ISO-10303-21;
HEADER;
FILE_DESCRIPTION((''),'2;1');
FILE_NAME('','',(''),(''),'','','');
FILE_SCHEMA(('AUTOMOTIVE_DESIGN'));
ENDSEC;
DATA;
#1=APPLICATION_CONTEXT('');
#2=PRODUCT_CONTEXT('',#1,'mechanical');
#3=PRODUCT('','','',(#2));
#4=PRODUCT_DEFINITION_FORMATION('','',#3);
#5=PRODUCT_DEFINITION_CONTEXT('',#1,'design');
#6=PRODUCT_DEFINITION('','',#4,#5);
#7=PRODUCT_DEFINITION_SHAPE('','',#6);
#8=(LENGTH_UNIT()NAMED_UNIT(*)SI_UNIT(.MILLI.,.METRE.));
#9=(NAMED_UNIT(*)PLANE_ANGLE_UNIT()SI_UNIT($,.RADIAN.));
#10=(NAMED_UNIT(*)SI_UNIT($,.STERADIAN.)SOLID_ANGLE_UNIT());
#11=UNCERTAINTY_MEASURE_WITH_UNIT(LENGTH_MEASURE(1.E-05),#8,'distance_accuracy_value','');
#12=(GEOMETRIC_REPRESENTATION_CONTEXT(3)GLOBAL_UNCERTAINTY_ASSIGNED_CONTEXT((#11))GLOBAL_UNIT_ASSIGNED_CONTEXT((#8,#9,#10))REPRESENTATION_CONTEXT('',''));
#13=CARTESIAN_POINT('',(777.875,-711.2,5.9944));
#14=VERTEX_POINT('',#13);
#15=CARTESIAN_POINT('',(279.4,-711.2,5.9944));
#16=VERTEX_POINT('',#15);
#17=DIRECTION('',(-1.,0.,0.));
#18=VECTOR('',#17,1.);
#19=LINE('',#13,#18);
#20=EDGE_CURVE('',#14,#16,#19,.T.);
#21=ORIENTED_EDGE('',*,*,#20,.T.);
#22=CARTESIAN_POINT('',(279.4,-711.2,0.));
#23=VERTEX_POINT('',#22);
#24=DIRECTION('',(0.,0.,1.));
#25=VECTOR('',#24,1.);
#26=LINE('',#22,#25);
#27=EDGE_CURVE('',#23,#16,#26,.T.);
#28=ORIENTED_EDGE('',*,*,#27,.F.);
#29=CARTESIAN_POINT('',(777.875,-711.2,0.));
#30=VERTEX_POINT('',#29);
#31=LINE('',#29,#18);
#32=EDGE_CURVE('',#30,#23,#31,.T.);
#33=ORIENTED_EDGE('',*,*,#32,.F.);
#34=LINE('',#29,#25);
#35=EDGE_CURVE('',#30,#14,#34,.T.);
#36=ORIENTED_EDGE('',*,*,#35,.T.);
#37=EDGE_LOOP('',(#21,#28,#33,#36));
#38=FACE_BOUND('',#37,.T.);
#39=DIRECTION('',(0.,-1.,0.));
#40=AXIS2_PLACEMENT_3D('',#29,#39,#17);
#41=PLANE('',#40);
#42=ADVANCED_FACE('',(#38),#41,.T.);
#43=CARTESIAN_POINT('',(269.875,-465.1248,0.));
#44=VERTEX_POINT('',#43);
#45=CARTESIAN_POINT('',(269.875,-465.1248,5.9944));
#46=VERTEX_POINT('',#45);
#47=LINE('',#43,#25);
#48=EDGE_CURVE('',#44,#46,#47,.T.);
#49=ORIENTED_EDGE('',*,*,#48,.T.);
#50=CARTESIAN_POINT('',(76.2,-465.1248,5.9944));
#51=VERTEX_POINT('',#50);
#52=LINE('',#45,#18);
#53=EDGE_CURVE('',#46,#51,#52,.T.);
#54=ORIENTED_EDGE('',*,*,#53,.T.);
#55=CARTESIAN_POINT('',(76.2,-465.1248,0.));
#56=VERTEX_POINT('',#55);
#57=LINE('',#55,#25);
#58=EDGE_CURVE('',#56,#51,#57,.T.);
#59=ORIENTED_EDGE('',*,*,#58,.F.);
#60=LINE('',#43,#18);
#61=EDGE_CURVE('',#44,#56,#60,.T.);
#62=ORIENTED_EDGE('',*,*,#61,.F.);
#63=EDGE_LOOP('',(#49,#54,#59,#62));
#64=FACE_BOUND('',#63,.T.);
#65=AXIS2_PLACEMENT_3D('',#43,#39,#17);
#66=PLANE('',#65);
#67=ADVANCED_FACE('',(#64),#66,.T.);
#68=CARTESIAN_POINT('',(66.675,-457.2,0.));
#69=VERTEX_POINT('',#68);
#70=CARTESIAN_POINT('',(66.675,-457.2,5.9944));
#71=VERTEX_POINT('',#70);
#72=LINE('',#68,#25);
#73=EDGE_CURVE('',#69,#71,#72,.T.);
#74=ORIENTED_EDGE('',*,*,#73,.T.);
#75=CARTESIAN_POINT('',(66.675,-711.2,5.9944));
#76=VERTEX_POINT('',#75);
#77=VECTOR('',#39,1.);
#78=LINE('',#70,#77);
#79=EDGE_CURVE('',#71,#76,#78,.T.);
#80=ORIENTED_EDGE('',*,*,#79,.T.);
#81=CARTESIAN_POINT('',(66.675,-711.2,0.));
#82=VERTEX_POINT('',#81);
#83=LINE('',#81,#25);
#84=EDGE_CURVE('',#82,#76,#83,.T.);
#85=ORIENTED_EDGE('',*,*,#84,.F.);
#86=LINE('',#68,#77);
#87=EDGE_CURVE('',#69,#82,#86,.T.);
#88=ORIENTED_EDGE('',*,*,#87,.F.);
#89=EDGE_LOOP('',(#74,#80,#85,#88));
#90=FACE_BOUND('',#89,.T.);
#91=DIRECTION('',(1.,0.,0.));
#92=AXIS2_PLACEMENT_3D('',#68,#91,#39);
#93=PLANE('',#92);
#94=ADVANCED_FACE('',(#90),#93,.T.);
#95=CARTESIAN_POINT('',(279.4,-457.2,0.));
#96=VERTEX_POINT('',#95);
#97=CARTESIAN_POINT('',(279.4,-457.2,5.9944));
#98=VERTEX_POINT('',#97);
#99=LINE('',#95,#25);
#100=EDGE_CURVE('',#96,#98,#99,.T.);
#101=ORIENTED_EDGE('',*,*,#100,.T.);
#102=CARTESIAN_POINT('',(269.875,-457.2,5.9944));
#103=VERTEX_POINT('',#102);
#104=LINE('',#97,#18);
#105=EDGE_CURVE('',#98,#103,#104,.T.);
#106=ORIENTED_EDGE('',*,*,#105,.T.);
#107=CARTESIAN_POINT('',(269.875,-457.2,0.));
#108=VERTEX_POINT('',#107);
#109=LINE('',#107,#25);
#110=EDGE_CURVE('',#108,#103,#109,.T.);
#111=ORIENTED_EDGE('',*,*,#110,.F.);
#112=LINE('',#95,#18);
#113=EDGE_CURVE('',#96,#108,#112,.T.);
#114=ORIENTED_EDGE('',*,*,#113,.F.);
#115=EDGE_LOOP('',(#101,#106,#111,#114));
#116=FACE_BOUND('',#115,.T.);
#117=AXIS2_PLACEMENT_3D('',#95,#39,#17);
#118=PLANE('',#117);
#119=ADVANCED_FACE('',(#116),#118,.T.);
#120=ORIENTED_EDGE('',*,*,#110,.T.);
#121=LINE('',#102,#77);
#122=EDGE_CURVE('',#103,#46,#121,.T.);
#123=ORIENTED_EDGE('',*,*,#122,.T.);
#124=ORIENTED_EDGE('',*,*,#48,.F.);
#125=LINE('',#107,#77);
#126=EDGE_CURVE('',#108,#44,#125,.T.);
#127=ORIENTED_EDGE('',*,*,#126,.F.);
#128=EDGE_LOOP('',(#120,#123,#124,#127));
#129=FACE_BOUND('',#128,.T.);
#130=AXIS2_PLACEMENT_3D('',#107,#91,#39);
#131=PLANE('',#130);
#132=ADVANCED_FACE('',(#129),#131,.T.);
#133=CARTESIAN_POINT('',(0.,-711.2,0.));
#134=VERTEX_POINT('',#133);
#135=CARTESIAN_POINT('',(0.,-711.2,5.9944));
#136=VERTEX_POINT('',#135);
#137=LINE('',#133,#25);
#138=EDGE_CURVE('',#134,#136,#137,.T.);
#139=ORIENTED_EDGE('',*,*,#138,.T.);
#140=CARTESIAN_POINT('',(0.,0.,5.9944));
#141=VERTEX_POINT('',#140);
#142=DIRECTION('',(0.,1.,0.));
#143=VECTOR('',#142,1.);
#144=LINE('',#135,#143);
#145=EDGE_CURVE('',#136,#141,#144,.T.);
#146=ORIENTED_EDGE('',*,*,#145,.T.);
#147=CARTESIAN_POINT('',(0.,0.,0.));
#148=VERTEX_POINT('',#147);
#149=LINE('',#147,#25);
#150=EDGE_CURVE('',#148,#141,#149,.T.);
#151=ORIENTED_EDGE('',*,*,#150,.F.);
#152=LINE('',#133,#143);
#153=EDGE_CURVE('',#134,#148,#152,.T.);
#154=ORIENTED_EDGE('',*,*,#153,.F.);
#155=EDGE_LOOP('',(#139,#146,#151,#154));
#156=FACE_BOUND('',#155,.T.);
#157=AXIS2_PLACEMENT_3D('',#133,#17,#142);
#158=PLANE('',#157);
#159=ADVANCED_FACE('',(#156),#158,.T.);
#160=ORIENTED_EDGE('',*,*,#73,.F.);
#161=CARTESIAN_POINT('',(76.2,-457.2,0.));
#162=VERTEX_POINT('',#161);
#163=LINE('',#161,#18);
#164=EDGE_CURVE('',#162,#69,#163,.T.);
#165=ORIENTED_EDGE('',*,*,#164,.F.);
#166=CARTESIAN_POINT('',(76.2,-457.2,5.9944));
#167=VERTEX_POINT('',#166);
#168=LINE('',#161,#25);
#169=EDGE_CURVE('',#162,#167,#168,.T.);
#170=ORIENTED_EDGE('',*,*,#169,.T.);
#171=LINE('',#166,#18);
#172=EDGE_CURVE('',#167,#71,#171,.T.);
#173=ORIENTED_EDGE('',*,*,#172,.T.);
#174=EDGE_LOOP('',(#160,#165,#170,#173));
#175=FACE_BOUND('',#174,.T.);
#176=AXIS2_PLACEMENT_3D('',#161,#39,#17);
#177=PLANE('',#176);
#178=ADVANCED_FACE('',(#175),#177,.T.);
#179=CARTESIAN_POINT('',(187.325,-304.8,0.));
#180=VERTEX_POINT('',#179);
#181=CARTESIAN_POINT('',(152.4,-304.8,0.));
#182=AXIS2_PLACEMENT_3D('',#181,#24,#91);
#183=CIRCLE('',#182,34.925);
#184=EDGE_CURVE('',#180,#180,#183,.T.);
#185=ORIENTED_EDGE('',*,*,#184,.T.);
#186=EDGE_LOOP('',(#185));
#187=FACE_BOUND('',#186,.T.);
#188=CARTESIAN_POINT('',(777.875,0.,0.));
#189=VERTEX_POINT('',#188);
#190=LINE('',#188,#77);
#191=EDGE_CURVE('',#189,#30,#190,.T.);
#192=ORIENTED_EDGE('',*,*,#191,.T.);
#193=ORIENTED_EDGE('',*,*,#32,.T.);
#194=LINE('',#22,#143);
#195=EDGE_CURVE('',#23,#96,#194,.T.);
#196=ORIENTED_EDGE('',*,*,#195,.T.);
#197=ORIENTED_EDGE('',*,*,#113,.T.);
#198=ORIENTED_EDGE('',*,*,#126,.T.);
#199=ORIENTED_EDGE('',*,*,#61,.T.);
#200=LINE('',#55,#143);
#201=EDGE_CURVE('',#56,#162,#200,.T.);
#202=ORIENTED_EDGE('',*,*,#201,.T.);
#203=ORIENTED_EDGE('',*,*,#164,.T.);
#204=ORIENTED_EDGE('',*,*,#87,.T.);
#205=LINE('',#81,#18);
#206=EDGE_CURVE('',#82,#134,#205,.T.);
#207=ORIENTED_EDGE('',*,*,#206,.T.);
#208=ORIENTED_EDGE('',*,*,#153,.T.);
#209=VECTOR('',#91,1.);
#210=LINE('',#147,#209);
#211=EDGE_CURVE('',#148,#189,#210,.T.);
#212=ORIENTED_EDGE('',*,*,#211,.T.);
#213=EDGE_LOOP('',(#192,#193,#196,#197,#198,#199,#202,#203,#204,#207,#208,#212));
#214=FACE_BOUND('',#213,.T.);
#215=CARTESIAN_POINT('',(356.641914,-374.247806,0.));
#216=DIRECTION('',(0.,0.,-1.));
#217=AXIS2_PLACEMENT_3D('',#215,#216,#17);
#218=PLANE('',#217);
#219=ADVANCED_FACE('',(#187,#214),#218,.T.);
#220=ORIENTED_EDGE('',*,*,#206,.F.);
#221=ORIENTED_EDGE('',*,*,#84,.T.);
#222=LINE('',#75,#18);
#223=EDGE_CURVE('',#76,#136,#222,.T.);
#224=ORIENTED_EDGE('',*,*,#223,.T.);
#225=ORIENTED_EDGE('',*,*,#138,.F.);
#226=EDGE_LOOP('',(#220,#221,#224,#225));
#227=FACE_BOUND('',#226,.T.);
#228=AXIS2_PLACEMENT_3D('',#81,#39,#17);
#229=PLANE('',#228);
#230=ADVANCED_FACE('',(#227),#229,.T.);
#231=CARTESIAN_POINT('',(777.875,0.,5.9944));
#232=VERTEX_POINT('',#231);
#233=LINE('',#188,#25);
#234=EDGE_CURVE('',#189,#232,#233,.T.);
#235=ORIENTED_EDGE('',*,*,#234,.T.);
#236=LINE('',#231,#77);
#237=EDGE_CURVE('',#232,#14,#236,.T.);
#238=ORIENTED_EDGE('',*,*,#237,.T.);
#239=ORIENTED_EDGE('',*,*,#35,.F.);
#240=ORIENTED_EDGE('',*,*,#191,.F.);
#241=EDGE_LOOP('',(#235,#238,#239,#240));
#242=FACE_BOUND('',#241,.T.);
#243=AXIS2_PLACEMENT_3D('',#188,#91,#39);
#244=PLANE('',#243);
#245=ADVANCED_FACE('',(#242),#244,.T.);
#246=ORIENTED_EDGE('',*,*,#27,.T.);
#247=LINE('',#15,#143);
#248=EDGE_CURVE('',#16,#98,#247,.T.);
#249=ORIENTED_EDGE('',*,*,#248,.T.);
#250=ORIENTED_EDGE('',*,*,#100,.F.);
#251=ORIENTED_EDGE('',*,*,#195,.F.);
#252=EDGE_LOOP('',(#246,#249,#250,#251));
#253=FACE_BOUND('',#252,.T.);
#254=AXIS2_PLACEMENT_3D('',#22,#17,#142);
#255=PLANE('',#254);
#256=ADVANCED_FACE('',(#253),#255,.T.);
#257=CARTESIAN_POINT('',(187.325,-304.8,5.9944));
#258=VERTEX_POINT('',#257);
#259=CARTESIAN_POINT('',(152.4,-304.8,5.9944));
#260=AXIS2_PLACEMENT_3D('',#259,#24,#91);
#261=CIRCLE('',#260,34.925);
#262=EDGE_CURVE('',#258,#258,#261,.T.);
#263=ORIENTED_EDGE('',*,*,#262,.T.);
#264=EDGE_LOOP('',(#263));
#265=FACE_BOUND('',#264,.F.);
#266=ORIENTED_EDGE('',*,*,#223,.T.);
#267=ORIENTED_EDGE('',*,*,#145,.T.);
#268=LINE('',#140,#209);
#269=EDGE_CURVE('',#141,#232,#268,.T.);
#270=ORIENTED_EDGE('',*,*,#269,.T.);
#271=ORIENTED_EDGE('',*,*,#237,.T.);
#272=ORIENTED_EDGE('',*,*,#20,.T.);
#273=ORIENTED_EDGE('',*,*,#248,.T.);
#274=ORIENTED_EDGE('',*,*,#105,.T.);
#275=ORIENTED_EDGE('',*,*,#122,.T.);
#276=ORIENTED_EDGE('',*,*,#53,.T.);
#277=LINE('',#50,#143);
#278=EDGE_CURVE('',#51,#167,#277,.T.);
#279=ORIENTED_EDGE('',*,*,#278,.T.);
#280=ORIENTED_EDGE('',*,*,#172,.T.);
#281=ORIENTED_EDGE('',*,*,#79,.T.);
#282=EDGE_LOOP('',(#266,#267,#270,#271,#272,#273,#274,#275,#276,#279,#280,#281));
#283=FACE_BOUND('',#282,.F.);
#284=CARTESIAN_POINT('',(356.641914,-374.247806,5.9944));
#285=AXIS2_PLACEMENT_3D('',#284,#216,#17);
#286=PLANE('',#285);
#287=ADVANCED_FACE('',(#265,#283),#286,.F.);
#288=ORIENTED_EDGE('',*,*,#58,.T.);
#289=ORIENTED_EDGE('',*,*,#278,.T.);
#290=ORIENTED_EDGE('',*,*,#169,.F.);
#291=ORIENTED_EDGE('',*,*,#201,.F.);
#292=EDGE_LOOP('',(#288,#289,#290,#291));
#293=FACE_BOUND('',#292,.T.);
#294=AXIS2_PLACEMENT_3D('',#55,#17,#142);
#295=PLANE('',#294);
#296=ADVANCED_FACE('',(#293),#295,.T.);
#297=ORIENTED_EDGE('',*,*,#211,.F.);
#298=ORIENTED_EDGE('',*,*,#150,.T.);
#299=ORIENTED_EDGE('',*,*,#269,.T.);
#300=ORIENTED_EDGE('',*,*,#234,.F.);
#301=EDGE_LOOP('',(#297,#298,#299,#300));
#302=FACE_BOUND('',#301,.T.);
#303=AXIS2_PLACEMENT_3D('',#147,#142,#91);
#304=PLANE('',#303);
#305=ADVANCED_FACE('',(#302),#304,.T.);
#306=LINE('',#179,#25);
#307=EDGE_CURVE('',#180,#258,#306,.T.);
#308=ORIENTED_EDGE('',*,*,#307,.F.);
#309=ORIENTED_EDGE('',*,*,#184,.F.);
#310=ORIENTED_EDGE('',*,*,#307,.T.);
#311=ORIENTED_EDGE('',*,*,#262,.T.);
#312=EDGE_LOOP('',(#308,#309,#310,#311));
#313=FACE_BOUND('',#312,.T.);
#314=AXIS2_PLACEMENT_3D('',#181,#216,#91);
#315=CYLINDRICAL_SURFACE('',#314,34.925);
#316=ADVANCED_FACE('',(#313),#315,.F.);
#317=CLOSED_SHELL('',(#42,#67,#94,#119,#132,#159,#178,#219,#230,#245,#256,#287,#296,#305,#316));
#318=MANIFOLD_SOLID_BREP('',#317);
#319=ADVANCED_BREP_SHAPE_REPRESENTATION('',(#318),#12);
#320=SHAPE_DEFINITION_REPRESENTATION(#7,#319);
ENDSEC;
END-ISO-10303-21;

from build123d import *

# Parameters (mm, degrees)
SKETCH_R      = 34.925
EXTRUDE_DEPTH = 5.9944


with BuildPart() as part:
    # Sketch → Extrude (new body)
    with BuildSketch(Plane.XY):
        Polygon((0, 0), (777.875, 0), (777.875, -711.2), (279.4, -711.2), (279.4, -457.2), (269.875, -457.2), (269.875, -465.1248), (76.2, -465.1248), (76.2, -457.2), (66.675, -457.2), (66.675, -711.2), (0, -711.2), align=None)
        with Locations((152.4, -304.8)):
            Circle(SKETCH_R, mode=Mode.SUBTRACT)
    extrude(amount=EXTRUDE_DEPTH)


solid = part.part
